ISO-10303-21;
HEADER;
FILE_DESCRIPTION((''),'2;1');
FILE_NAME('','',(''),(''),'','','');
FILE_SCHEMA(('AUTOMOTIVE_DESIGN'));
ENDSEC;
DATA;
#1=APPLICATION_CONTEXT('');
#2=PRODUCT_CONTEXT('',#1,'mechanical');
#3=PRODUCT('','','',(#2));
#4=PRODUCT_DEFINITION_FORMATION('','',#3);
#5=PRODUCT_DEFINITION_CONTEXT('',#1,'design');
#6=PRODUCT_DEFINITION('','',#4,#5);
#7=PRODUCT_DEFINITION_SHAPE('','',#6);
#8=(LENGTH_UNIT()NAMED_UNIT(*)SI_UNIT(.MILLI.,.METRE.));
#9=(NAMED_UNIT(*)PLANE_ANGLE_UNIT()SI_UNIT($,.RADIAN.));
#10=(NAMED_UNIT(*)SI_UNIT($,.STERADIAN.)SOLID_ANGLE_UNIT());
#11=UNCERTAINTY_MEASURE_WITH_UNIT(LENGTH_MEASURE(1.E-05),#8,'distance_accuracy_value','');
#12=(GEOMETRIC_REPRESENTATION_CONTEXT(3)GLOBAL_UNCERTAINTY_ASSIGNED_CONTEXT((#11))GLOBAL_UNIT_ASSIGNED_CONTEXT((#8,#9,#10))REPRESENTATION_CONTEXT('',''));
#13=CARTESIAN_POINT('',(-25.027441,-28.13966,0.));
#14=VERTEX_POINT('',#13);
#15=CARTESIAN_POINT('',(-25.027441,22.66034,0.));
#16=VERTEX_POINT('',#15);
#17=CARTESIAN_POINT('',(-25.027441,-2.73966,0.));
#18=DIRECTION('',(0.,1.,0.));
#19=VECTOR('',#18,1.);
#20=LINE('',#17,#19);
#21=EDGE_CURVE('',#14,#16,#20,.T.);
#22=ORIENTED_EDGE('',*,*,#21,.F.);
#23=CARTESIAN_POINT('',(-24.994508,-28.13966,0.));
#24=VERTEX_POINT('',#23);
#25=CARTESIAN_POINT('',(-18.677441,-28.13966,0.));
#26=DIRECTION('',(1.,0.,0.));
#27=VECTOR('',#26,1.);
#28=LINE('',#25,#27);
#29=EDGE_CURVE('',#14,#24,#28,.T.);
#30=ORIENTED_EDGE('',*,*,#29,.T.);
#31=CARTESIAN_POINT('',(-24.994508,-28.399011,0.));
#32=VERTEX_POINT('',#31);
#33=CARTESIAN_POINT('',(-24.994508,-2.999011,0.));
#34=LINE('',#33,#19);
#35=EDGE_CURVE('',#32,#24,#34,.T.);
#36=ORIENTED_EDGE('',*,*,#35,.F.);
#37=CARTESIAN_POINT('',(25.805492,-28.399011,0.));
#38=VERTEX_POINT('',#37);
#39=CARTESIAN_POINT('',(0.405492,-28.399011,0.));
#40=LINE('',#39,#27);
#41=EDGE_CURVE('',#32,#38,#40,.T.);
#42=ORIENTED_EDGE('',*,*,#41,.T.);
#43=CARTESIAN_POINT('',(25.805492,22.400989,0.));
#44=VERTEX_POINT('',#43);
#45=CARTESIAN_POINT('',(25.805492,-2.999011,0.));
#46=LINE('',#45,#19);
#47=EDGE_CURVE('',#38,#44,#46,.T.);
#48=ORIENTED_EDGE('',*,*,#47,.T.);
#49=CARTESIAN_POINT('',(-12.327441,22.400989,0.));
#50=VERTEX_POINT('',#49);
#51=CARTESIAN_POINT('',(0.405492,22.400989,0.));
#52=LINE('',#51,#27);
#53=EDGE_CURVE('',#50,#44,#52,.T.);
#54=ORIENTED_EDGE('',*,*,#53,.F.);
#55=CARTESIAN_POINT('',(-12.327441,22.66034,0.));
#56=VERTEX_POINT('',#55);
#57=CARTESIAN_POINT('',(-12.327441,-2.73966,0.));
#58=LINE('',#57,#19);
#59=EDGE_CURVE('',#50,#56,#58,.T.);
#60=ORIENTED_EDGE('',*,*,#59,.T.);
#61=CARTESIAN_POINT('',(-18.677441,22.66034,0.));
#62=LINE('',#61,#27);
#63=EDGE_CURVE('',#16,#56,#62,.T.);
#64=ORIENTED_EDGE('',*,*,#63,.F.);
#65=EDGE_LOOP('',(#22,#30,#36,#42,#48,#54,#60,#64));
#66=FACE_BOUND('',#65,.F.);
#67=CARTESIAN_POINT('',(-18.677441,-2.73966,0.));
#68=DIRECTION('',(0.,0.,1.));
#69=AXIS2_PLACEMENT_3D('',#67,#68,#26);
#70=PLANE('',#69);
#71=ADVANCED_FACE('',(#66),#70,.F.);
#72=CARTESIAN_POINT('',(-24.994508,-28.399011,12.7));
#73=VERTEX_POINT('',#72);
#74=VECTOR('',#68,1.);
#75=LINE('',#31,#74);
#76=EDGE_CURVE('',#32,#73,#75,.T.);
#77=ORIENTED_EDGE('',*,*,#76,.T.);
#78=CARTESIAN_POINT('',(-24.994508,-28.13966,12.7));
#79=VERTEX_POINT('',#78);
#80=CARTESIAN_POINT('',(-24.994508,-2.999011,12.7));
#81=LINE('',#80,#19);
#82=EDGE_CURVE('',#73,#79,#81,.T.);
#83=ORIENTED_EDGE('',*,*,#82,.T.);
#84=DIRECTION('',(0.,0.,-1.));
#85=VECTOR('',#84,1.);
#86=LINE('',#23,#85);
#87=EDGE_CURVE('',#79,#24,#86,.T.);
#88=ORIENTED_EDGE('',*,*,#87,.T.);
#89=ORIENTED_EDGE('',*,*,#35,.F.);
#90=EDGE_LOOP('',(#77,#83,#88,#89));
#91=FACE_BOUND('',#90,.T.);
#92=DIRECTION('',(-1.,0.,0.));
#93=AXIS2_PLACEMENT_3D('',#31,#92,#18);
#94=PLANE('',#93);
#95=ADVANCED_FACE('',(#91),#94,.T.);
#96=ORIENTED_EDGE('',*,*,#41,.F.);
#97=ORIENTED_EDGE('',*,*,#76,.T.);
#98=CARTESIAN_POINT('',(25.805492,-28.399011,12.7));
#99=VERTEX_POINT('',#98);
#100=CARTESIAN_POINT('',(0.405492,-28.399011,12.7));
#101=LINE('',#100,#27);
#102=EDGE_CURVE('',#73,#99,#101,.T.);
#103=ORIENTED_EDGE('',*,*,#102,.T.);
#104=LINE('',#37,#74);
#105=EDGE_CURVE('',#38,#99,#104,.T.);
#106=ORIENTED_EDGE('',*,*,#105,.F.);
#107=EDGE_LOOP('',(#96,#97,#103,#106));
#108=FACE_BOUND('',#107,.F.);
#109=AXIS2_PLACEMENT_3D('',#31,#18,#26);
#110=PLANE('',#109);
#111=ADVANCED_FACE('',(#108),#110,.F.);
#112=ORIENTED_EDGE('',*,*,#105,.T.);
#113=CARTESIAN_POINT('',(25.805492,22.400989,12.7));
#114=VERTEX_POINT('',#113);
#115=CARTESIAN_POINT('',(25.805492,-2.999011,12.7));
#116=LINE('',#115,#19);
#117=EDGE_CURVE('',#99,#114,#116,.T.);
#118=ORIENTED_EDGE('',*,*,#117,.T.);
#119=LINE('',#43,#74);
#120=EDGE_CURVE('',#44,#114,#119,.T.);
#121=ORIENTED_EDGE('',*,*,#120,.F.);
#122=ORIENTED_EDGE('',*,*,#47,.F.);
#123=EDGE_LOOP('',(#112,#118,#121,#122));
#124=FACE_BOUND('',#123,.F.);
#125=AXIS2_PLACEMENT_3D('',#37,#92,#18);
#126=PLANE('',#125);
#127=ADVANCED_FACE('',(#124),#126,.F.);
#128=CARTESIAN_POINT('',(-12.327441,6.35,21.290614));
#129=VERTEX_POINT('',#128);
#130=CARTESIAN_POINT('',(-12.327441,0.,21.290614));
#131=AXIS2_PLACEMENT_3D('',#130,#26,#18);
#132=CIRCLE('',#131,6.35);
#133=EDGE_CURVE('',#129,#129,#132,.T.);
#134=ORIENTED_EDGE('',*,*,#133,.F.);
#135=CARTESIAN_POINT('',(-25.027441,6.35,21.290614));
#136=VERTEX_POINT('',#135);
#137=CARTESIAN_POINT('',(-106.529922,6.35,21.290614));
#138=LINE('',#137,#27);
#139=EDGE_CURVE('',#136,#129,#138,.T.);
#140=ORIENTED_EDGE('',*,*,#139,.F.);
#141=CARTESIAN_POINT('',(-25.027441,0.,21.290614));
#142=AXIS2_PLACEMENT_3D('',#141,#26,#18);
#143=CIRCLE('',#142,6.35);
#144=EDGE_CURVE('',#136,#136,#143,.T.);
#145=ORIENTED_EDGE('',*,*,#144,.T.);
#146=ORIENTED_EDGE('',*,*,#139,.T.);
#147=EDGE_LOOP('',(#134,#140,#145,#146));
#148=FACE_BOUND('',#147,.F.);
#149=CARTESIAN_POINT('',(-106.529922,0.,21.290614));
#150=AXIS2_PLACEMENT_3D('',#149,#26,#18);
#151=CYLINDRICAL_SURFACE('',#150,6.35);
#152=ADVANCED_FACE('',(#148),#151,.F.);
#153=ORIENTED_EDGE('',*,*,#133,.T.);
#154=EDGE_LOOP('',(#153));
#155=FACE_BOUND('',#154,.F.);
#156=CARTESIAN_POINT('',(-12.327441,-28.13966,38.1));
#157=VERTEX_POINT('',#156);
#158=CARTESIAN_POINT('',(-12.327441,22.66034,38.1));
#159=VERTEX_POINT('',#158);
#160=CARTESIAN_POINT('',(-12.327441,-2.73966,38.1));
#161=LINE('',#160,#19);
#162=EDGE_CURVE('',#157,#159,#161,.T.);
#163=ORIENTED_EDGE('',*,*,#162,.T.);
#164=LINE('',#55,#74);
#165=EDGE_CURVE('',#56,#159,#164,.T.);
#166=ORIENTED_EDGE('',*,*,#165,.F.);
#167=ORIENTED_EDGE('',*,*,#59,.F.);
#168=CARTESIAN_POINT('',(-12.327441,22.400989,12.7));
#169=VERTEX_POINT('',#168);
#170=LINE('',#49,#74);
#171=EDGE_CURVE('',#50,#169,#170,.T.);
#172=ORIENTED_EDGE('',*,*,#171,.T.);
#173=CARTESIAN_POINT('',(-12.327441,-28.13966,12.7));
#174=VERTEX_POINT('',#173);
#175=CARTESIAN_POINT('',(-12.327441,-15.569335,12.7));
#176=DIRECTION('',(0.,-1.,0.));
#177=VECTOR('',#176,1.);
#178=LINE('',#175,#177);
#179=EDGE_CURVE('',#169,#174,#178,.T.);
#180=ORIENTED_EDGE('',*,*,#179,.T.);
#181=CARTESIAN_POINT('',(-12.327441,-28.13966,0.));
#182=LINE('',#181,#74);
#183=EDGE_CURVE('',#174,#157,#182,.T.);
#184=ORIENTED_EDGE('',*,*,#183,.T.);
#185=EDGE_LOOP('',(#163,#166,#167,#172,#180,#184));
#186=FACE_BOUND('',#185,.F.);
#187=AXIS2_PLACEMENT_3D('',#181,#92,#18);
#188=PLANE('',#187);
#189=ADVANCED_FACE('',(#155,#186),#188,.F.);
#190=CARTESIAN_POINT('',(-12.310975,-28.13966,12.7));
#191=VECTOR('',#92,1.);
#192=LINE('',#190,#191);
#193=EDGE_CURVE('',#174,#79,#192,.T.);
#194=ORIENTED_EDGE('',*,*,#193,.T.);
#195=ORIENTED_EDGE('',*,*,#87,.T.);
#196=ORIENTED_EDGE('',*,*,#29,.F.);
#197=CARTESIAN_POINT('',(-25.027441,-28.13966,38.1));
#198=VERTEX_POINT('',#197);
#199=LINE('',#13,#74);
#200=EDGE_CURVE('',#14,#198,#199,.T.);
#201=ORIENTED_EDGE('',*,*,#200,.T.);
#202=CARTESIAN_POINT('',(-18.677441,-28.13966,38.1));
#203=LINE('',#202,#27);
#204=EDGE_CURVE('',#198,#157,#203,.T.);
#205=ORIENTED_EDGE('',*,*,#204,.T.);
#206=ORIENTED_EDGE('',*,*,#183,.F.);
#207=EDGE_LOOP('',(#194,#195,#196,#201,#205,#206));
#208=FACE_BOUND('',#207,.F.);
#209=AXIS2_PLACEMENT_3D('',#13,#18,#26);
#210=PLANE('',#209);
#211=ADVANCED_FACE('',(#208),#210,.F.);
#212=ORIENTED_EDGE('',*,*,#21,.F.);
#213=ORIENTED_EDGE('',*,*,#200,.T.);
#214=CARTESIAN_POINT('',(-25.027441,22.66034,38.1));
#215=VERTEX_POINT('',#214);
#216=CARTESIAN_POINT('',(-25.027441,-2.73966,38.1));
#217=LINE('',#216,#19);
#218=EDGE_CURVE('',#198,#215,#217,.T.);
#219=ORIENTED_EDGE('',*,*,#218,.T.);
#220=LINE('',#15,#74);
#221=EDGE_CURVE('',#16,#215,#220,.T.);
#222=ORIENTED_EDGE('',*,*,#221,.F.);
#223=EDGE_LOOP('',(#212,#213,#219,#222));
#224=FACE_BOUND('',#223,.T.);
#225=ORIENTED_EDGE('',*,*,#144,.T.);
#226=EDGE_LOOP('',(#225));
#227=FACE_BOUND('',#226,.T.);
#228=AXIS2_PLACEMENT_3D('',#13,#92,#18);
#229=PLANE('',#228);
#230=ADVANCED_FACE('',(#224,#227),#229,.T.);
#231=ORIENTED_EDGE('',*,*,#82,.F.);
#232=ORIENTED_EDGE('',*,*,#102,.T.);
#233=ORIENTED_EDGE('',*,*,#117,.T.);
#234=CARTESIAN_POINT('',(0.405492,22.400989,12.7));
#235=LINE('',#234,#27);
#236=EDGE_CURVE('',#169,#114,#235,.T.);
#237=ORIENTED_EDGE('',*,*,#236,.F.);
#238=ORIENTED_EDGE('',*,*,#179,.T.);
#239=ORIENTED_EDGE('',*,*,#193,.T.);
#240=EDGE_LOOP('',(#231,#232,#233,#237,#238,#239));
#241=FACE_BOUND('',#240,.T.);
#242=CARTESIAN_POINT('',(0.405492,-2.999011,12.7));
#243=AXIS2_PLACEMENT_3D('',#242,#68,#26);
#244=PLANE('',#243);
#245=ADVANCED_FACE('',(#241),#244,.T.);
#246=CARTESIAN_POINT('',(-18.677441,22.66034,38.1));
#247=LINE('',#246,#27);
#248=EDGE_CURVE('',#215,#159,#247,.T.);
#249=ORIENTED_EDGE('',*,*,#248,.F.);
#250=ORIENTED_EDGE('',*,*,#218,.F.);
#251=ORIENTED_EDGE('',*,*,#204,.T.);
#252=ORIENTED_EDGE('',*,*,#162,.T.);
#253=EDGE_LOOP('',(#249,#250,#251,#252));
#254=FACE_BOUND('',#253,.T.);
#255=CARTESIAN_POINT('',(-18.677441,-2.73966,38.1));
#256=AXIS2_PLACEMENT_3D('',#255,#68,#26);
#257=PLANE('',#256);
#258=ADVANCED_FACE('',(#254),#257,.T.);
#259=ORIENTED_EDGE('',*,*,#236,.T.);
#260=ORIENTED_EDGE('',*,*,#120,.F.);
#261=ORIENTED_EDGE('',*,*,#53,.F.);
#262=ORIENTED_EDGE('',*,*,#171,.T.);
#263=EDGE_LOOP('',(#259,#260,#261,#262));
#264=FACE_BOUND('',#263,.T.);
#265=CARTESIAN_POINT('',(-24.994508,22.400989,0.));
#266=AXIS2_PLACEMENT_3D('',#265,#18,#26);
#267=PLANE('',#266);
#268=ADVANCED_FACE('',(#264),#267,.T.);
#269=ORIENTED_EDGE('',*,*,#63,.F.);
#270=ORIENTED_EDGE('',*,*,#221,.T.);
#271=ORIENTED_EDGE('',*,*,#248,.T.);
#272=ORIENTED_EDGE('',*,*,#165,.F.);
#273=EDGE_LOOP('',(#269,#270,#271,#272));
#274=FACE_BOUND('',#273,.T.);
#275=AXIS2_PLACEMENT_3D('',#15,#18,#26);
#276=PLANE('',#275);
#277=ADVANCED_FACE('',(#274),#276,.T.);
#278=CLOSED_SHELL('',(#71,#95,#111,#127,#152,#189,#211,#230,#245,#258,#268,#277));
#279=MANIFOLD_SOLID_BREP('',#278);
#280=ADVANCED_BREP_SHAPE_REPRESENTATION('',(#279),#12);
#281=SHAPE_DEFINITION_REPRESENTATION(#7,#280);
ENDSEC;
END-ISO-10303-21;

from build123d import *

# Parameters (mm, degrees)
F0_W     = 50.8
F0_H     = 50.8
F1_DEPTH = 12.7
F2_W     = 12.7
F2_H     = 50.8
F3_DEPTH = 38.1
F5_D     = 12.7


with BuildPart() as f1:
    # F0 (on Top) → F1 (new body)
    with BuildSketch(Plane.XY):
        with Locations((0.405492, -2.999011)):
            Rectangle(F0_W, F0_H)
    extrude(amount=F1_DEPTH)

    # F2 (on Top) → F3 (join)
    with BuildSketch(Plane.XY):
        with Locations((-18.677441, -2.73966)):
            Rectangle(F2_W, F2_H)
    extrude(amount=F3_DEPTH)

    # F5 (through all)
    with Locations(Plane(origin=(-25.027441, 0, 0), x_dir=(0, -1, 0), z_dir=(-1, 0, 0))):
        with Locations((0, 21.290614)):
            Hole(F5_D / 2)


solid = f1.part
